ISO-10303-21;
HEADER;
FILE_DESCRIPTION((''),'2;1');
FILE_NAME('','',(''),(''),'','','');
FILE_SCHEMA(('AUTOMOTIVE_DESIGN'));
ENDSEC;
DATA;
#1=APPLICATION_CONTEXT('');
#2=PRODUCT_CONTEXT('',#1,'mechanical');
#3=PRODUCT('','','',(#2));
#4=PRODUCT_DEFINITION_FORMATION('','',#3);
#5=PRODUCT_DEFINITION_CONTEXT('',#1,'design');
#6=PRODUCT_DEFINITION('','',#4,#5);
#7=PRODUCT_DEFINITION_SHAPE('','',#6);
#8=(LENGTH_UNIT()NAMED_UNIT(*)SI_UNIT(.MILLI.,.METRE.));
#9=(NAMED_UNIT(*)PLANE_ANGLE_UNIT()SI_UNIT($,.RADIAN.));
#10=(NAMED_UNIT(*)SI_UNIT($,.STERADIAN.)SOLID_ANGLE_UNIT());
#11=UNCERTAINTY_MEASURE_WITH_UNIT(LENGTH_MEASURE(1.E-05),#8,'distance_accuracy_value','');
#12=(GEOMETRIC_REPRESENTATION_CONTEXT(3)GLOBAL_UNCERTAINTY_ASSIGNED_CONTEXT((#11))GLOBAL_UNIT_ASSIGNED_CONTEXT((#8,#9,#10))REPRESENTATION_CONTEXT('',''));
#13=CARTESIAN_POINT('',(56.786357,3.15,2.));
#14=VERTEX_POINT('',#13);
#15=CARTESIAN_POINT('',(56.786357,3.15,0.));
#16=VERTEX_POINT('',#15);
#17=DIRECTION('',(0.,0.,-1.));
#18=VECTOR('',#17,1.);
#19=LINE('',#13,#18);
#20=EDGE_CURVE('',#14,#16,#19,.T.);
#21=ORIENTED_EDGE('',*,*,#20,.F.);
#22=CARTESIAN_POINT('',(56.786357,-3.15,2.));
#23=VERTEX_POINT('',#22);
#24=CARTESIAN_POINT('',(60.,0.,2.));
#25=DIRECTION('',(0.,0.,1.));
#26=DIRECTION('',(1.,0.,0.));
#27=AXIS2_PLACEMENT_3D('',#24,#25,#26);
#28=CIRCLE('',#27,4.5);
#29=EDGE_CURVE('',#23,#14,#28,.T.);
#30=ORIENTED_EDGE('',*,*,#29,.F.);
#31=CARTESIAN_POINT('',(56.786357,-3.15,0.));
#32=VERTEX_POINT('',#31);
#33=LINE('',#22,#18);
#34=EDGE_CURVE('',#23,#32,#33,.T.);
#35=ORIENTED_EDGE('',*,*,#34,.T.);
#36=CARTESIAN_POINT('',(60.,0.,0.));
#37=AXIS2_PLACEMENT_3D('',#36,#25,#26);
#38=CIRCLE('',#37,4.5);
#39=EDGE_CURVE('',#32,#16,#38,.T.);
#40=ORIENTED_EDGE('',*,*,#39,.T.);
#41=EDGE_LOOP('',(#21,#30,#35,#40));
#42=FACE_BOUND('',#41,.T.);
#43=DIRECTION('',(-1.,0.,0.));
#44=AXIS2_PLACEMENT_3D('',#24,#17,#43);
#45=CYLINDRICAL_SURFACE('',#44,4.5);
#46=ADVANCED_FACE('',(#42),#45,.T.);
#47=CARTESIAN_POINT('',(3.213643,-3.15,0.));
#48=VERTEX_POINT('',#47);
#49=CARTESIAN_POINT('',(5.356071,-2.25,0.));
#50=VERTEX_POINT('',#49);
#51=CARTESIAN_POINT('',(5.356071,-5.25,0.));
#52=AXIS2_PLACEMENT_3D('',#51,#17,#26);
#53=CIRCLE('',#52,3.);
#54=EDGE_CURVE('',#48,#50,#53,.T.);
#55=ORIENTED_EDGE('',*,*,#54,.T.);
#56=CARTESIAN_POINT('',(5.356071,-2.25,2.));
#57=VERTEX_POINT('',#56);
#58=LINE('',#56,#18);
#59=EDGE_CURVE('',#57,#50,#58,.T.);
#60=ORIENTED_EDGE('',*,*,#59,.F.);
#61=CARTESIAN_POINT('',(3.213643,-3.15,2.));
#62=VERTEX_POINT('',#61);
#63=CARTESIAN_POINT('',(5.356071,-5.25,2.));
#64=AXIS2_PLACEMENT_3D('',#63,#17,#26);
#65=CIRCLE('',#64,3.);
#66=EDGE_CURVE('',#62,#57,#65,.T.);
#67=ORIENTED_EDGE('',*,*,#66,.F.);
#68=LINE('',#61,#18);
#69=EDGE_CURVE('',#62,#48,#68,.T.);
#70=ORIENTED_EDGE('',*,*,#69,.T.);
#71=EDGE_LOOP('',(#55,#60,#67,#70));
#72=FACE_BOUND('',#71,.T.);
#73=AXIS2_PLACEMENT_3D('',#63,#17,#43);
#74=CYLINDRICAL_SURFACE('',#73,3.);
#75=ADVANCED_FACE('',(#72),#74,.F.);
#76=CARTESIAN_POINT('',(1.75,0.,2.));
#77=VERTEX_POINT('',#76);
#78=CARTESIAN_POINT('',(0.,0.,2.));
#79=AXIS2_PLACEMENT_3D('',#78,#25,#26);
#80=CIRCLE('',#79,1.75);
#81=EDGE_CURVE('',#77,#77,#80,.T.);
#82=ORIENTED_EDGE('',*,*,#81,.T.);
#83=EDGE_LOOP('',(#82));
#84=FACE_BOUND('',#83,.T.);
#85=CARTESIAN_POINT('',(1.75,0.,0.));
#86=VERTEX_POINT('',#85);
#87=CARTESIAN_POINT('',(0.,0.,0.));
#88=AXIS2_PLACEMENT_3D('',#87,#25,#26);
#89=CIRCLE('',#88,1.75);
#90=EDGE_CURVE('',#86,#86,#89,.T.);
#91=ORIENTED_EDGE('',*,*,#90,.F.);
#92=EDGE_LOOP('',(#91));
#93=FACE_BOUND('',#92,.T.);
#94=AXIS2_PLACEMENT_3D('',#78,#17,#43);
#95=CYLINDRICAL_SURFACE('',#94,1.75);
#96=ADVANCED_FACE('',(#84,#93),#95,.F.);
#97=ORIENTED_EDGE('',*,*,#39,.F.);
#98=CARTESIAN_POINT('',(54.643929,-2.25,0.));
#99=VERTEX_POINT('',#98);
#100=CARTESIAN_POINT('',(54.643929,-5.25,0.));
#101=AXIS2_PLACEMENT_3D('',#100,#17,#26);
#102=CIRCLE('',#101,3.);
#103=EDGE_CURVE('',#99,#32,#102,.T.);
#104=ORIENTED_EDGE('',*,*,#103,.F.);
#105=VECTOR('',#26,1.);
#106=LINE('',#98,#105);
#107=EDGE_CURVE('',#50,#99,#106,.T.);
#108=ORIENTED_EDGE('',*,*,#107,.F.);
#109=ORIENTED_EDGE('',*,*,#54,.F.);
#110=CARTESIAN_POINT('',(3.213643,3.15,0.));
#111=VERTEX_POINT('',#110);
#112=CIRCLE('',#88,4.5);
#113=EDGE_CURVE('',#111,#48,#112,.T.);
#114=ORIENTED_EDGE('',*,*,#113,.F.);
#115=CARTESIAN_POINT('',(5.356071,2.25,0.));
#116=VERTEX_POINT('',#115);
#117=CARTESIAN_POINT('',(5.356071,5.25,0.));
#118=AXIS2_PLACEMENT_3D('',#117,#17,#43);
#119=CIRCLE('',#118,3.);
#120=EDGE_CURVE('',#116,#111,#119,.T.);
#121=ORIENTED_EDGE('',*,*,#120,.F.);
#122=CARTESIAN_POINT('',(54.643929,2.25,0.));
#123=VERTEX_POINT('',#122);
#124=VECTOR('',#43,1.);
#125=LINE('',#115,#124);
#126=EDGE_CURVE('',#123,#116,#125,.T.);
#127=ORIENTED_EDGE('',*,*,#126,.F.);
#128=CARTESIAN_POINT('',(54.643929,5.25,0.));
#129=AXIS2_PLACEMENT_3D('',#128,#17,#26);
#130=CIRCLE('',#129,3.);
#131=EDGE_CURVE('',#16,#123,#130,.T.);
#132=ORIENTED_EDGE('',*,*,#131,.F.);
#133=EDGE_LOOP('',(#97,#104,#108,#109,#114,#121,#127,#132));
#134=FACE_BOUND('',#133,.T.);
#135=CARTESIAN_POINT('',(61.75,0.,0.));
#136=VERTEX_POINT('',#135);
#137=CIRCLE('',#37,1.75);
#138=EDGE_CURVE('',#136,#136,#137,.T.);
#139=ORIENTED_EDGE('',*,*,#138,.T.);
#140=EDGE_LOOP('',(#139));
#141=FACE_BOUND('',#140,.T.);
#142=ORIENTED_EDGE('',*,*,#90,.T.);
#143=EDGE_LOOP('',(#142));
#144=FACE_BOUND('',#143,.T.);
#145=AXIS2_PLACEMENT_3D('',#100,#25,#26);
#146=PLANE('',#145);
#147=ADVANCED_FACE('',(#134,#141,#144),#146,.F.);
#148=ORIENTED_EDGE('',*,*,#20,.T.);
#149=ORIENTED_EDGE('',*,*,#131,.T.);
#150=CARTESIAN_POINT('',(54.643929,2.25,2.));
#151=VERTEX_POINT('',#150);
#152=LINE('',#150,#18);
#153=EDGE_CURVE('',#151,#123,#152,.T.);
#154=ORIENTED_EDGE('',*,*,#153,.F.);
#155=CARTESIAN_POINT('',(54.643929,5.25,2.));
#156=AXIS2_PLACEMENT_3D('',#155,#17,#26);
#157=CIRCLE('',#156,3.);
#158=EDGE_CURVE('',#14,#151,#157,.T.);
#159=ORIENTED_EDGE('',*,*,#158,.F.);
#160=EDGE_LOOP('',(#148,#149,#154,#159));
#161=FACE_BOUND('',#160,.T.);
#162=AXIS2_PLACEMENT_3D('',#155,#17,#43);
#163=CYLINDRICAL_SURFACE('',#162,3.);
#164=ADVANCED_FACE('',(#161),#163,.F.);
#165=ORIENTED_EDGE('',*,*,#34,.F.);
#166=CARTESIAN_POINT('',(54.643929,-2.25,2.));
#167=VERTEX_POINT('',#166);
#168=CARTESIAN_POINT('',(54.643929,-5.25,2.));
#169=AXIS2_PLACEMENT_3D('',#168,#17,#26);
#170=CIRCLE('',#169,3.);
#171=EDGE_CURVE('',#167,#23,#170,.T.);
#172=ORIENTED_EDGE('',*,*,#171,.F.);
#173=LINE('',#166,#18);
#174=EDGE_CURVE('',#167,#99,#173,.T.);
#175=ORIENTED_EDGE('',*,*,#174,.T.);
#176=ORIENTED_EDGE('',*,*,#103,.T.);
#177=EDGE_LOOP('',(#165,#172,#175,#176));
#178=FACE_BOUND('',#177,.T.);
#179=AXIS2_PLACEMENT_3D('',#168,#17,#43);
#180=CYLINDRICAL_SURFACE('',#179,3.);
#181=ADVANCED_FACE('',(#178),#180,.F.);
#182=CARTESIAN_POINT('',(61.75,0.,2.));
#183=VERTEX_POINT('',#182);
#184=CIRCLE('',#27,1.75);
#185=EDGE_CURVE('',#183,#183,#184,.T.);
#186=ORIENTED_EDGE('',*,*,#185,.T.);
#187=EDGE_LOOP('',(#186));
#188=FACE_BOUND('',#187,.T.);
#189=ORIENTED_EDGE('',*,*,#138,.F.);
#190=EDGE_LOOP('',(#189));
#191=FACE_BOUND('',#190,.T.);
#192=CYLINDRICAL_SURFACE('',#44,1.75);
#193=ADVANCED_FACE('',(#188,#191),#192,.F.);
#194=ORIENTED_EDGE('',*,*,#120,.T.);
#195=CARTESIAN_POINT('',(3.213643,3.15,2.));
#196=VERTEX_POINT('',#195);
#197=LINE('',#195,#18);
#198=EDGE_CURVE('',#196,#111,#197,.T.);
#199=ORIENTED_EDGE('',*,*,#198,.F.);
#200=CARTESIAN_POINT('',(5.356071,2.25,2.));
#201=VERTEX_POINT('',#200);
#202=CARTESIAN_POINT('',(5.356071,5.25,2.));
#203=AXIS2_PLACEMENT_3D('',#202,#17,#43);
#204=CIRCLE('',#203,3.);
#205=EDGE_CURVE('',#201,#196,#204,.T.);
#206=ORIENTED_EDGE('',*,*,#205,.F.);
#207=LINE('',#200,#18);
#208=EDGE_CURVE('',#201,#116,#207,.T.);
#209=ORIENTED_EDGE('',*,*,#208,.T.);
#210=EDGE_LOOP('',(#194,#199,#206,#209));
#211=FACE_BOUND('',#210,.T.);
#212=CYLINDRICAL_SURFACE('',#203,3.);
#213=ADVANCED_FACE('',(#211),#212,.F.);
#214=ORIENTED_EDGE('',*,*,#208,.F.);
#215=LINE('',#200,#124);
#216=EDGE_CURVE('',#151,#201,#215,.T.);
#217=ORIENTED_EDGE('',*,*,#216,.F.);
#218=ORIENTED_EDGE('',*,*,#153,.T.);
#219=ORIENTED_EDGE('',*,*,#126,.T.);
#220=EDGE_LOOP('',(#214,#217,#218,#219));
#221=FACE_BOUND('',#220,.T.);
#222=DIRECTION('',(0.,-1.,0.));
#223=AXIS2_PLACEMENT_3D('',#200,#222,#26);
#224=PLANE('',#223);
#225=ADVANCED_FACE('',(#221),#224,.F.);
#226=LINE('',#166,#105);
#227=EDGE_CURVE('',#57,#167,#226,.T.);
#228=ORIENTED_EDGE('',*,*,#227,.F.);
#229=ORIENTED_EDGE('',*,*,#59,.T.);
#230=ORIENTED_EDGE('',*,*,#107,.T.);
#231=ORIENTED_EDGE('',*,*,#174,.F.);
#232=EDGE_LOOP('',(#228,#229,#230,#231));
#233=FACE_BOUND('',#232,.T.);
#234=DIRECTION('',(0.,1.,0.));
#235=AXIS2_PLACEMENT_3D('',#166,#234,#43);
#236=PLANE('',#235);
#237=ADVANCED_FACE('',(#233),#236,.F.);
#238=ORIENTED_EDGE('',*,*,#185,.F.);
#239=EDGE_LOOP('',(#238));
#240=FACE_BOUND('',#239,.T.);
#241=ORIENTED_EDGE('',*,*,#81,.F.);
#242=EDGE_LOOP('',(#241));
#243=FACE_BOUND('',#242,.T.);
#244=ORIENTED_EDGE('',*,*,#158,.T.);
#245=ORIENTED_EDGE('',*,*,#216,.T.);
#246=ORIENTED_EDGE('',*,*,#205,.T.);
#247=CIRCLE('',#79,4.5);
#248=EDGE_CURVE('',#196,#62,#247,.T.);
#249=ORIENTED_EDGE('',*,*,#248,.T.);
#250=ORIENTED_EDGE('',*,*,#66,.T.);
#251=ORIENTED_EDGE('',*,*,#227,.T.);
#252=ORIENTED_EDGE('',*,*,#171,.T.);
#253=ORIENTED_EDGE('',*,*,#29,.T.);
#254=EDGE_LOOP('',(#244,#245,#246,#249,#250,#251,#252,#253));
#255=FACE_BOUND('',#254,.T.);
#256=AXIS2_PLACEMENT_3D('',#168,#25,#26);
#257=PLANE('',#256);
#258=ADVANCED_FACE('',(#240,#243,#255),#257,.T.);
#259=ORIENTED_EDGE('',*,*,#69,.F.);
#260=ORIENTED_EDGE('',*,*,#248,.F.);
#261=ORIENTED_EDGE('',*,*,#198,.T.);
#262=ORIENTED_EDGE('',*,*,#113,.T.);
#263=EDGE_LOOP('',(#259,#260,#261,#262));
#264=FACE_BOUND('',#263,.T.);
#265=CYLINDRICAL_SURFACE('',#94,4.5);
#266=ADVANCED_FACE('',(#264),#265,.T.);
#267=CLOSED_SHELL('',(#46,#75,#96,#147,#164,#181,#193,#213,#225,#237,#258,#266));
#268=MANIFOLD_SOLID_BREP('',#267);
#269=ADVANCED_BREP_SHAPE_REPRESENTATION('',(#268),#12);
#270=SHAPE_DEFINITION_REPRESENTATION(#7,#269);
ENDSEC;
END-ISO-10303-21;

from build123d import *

# Parameters (mm, degrees)
SKETCH1_R           = 1.75
BOSS_EXTRUDE1_DEPTH = 2


with BuildPart() as part:
    # Sketch1 → Boss-Extrude1 (new body)
    with BuildSketch(Plane.XY):
        with BuildLine():
            Line((5.356071321, 2.25), (54.643928679, 2.25))
            ThreePointArc((54.643928679, 2.25), (55.805823682, 2.484136663), (56.786357207, 3.15))
            ThreePointArc((56.786357207, 3.15), (64.5, 0), (56.786357207, -3.15))
            ThreePointArc((56.786357207, -3.15), (55.805823682, -2.484136663), (54.643928679, -2.25))
            Line((54.643928679, -2.25), (5.356071321, -2.25))
            ThreePointArc((5.356071321, -2.25), (4.194176318, -2.484136663), (3.213642793, -3.15))
            ThreePointArc((3.213642793, -3.15), (-4.5, 0), (3.213642793, 3.15))
            ThreePointArc((3.213642793, 3.15), (4.194176318, 2.484136663), (5.356071321, 2.25))
        make_face()
        Circle(SKETCH1_R, mode=Mode.SUBTRACT)
        with Locations((60, 0)):
            Circle(SKETCH1_R, mode=Mode.SUBTRACT)
    extrude(amount=BOSS_EXTRUDE1_DEPTH)


solid = part.part
